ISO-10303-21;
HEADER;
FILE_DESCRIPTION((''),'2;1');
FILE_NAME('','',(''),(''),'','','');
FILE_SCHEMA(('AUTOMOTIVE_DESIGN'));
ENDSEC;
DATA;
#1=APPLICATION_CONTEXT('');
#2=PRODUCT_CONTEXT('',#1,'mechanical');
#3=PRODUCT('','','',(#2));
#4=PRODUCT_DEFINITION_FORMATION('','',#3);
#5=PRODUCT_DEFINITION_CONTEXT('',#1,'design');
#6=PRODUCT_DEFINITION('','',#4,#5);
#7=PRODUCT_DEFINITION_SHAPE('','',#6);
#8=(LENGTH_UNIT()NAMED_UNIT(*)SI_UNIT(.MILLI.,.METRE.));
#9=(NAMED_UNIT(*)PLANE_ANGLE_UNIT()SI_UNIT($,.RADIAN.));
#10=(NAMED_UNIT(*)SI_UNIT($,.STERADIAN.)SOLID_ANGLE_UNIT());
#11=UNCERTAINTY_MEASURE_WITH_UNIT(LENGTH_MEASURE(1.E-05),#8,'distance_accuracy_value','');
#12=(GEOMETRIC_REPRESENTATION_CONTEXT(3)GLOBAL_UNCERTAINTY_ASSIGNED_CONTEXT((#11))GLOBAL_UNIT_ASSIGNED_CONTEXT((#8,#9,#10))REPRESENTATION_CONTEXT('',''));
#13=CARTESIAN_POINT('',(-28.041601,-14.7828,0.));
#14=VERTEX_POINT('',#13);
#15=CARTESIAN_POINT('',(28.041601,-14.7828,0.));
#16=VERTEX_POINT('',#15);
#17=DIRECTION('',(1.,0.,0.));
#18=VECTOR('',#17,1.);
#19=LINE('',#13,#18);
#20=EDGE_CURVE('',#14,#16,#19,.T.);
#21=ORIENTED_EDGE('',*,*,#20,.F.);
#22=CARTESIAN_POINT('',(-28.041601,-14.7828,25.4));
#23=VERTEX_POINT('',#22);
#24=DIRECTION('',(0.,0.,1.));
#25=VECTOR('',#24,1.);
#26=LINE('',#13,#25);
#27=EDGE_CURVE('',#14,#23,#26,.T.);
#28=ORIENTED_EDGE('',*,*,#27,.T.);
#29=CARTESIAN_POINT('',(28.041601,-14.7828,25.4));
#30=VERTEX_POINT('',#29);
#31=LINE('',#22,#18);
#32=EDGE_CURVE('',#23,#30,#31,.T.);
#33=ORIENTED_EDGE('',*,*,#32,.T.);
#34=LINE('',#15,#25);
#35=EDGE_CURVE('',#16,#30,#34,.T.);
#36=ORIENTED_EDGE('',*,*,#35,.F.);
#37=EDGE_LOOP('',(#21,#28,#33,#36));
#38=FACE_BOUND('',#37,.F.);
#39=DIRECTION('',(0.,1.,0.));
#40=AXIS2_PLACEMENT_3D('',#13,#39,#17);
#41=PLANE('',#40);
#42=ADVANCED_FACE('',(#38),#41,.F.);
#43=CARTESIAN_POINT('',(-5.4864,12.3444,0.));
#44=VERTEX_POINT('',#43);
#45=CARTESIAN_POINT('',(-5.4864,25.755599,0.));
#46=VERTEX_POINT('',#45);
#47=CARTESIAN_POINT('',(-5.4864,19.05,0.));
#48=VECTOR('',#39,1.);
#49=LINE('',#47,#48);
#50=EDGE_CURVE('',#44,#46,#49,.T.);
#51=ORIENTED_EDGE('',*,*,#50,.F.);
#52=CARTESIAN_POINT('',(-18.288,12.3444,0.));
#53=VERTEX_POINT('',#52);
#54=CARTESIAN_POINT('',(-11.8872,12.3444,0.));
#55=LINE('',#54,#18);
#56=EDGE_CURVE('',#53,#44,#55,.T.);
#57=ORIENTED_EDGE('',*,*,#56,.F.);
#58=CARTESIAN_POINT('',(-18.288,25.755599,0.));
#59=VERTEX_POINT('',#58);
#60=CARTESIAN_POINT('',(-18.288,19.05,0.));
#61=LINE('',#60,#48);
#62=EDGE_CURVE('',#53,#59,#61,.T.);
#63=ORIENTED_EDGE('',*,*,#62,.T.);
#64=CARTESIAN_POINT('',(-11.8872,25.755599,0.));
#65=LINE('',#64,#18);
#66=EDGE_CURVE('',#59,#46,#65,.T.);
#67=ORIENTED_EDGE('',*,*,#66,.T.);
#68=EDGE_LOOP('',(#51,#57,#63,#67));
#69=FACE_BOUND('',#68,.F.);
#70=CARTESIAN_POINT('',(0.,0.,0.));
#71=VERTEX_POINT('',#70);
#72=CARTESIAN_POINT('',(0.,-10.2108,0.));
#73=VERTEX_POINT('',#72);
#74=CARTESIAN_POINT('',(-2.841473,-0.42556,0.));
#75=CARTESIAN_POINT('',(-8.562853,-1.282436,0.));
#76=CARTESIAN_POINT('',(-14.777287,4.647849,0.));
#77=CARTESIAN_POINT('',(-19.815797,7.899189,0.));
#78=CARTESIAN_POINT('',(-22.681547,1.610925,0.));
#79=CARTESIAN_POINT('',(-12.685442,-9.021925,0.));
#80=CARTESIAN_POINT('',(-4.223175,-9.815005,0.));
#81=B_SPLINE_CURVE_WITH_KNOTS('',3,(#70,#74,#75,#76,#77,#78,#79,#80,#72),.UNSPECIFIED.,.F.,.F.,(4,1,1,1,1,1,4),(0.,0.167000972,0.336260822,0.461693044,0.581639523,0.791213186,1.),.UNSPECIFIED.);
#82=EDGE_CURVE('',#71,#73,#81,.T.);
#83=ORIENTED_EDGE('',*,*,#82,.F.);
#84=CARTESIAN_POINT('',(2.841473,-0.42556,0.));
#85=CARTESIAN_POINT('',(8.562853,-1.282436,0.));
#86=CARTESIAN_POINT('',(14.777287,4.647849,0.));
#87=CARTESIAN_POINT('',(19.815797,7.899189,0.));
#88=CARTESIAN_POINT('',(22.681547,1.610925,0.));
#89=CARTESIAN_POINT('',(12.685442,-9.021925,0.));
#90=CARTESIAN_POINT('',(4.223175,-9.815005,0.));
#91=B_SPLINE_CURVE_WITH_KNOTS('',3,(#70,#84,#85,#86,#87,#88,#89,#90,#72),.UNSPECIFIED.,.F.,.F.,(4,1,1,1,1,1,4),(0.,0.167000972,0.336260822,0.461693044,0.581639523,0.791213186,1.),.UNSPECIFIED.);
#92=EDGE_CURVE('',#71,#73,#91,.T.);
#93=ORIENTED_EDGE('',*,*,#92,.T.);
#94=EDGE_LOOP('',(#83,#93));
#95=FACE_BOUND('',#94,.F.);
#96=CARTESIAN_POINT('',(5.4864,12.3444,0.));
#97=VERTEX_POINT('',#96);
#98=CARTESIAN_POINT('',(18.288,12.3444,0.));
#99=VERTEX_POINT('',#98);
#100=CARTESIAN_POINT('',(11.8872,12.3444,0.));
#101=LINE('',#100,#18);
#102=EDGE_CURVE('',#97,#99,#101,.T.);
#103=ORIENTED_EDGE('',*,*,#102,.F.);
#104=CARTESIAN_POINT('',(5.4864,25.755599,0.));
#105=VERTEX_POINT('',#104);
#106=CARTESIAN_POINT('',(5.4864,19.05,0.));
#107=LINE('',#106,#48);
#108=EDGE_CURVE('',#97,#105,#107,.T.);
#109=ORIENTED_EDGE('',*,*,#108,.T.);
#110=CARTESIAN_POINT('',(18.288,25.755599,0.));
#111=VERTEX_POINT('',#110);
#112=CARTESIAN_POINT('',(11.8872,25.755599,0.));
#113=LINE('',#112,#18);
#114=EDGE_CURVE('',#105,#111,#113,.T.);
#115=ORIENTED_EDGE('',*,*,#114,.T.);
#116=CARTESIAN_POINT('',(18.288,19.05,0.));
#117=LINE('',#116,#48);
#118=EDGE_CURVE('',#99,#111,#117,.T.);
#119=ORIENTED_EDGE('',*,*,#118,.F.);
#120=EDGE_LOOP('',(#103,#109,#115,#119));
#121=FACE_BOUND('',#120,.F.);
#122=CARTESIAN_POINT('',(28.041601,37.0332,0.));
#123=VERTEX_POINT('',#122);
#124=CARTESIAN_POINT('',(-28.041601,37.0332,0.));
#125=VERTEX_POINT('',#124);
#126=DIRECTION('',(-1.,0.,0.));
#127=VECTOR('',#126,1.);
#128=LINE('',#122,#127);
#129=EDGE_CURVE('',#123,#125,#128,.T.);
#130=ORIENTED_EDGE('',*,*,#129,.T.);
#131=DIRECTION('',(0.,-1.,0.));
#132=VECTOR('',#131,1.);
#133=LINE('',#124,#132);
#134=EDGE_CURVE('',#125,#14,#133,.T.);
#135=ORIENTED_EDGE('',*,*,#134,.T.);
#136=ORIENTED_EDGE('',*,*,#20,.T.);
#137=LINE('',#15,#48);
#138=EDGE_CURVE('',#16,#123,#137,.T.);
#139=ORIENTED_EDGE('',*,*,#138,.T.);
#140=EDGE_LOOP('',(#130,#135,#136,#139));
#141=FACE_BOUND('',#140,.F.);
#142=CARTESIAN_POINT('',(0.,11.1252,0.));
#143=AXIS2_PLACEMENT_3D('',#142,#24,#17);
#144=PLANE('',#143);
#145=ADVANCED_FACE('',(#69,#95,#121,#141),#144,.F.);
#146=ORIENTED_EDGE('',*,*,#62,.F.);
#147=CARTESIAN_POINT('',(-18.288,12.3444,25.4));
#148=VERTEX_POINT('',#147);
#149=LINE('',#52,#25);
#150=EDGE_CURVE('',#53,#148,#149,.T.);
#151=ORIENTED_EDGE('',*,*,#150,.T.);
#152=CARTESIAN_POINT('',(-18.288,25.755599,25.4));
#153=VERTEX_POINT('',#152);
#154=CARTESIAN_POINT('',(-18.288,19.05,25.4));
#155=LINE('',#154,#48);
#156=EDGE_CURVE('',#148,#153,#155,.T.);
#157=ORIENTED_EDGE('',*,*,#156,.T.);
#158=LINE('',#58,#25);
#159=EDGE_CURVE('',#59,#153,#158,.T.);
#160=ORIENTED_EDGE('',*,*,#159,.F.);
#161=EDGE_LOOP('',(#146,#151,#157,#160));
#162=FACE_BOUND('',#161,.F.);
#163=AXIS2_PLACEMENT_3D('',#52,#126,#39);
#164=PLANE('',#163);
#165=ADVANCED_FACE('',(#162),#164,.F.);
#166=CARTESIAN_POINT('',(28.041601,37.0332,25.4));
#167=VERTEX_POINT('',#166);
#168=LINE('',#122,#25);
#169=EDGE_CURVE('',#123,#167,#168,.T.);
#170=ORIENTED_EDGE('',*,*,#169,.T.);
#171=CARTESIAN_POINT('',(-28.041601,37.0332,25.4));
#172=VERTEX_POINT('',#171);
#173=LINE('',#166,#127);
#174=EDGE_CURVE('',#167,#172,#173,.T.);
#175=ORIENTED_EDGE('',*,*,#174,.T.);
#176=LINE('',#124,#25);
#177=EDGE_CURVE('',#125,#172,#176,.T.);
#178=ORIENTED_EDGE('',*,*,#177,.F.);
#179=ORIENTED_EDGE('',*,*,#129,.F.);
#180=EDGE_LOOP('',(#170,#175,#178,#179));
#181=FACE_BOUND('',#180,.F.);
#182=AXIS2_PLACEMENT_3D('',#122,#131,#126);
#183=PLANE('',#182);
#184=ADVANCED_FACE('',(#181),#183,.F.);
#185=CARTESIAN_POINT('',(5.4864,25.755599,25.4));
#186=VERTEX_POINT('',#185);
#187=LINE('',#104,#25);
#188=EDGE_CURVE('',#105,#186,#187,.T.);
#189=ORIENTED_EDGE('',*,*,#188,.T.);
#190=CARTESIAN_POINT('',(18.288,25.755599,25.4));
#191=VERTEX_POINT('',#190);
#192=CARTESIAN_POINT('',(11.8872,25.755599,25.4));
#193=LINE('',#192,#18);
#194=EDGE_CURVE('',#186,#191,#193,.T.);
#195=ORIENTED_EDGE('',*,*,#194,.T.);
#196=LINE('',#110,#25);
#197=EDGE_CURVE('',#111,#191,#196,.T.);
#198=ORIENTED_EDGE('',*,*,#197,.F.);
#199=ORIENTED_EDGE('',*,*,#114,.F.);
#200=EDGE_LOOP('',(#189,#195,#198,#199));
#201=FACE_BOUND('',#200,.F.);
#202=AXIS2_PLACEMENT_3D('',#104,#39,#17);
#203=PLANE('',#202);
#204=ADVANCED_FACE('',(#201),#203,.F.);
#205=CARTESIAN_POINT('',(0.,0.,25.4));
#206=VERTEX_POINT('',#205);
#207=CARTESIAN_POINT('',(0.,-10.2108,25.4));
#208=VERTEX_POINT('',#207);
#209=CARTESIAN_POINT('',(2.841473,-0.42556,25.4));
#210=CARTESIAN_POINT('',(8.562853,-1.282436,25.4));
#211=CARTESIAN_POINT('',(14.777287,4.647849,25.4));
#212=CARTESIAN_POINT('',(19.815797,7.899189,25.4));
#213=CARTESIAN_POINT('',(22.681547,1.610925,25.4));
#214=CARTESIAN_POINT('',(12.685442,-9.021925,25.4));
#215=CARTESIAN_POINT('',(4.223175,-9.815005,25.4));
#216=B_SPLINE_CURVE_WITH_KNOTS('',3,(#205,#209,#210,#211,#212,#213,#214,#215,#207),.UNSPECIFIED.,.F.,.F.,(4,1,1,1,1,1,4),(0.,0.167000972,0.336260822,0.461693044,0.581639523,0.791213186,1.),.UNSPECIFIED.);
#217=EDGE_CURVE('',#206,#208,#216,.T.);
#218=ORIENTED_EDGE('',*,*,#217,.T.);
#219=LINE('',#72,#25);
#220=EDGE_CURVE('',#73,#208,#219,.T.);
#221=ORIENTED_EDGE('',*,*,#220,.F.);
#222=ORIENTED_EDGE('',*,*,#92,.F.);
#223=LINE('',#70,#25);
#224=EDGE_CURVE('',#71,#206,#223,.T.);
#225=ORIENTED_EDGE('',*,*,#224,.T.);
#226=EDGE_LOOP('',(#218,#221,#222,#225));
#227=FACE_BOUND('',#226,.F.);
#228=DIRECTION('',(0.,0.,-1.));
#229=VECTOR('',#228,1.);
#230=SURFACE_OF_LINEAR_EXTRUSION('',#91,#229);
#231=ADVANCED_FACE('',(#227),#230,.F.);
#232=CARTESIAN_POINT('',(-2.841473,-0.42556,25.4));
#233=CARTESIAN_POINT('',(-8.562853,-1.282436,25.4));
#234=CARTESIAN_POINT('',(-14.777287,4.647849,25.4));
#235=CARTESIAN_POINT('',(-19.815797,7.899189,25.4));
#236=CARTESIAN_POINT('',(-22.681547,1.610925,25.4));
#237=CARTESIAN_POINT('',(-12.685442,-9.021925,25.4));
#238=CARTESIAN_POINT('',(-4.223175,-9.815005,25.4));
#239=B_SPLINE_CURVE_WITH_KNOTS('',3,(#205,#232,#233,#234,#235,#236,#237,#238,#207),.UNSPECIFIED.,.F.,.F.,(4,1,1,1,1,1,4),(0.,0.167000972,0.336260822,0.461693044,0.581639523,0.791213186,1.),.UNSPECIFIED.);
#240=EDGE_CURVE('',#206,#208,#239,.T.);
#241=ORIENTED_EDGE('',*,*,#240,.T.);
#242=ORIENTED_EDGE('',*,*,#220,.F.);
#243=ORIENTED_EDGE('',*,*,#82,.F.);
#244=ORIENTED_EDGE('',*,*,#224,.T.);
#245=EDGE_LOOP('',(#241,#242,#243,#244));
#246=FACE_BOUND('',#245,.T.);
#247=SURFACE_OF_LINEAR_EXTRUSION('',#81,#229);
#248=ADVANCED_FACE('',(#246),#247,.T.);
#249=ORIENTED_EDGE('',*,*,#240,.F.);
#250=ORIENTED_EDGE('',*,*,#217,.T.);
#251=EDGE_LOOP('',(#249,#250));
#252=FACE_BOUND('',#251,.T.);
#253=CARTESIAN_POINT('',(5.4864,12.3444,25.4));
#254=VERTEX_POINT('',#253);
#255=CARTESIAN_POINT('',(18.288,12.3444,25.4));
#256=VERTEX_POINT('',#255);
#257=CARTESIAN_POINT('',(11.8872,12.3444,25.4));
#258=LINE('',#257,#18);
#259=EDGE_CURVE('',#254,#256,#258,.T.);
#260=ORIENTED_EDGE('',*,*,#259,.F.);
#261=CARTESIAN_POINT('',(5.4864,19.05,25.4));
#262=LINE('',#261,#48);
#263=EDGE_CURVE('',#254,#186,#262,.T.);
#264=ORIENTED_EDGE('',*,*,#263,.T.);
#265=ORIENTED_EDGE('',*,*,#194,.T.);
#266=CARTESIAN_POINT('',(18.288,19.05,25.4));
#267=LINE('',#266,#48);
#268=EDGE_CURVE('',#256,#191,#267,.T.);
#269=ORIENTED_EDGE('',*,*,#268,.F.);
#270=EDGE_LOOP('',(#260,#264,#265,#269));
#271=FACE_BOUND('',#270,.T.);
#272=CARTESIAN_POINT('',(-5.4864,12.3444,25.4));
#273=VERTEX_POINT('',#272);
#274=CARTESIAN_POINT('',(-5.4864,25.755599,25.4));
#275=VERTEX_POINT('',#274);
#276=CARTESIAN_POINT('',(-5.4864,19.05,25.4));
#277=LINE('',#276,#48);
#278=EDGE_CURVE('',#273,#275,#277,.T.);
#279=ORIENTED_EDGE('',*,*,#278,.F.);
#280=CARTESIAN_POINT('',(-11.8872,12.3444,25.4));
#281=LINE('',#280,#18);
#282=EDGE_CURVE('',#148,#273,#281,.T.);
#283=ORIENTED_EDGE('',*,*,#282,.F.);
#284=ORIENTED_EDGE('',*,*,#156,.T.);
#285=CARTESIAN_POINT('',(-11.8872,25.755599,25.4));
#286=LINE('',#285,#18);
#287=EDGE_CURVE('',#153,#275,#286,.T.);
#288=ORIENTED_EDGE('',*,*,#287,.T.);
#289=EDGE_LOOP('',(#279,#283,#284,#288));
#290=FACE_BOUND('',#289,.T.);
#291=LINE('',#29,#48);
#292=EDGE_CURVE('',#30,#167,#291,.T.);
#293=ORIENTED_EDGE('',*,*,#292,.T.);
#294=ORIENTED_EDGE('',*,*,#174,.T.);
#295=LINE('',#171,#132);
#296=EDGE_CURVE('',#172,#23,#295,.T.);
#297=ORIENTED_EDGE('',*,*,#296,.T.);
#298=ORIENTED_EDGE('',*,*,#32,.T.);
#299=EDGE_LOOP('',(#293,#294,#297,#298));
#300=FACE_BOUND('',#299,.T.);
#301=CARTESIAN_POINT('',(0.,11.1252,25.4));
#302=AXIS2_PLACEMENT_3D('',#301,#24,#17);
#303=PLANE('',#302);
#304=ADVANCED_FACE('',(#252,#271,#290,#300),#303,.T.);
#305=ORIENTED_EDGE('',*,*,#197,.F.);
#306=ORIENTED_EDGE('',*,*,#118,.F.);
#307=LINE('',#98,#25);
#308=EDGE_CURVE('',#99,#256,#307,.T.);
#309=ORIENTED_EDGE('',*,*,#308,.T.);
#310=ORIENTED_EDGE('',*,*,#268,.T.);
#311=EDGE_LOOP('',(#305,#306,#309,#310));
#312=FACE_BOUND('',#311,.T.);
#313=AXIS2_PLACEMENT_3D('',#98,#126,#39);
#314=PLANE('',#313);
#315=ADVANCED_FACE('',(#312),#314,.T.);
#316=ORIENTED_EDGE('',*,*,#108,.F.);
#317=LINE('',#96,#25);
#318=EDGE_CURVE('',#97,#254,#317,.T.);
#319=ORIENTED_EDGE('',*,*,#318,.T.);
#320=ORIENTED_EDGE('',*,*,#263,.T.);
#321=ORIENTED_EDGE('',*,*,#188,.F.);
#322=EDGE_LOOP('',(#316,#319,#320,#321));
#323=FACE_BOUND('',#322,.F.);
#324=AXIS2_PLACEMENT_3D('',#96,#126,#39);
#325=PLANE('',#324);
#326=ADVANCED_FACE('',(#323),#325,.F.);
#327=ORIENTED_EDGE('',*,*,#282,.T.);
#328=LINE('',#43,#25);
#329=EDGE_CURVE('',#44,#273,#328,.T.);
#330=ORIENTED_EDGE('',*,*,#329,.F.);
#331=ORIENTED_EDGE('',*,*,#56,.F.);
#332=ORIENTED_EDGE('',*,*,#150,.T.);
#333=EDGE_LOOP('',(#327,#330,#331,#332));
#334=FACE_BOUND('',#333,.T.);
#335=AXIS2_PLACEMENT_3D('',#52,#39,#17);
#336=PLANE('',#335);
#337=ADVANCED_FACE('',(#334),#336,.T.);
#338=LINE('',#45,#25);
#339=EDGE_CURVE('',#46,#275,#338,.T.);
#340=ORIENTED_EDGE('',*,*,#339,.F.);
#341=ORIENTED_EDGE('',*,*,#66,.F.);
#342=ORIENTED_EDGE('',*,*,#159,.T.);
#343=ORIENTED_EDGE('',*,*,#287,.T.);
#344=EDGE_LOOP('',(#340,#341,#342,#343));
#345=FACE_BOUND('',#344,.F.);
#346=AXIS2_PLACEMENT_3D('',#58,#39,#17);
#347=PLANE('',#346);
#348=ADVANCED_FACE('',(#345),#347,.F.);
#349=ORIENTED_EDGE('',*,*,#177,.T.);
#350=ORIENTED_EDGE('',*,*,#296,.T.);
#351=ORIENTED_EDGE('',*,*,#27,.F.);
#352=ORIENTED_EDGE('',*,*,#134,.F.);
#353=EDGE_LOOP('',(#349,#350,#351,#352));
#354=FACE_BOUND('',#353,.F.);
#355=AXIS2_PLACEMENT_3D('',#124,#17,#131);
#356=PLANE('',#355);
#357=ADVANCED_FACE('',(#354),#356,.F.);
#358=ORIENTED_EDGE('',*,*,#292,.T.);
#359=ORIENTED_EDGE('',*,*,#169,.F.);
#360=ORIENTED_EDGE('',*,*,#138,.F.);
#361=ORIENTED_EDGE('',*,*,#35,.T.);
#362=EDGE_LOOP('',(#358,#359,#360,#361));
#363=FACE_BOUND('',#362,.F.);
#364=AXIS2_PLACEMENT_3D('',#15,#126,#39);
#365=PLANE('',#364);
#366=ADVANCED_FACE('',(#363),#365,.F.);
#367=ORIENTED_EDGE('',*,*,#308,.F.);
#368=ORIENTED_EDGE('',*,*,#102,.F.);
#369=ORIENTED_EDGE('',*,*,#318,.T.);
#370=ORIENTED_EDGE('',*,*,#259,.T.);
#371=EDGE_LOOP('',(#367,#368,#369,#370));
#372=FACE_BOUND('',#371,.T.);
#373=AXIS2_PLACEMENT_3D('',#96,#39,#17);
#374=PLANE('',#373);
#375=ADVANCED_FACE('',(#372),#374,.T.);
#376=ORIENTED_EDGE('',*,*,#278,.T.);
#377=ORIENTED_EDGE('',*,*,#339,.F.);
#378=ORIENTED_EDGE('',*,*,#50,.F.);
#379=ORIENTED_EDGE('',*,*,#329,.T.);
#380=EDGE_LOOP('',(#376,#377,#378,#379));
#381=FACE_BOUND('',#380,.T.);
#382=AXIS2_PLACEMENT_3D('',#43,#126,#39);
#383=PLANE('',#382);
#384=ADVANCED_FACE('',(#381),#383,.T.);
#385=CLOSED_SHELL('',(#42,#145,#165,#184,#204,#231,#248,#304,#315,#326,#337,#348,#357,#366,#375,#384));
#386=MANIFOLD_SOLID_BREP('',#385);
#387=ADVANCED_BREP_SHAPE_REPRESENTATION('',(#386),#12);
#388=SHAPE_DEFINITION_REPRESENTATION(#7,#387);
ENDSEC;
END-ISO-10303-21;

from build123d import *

# Parameters (mm, degrees)
F0_W     = 12.8015996888
F0_H     = 13.4111987427
F1_DEPTH = 25.4


with BuildPart() as f1:
    # F0 (on Top) → F1 (new body)
    with BuildSketch(Plane.XY):
        Polygon((28.041601181, 37.033200264), (0, 37.033200264), (-28.041601181, 37.033200264), (-28.041601181, -14.7828003392), (-5.181599874, -14.7828003392), (0, -14.7828003392), (5.181599874, -14.7828003392), (28.041601181, -14.7828003392), align=None)
        with BuildLine():
            add(Edge.make_bspline(
                [(0, 0), (-2.8414730659, -0.4255600832), (-8.5628533375, -1.2824364314), (-14.7772865817, 4.6478489144), (-19.8157965374, 7.8991892713), (-22.6815474134, 1.6109254073), (-12.6854419624, -9.021924638), (-4.223175406, -9.8150054085), (0, -10.2107999846)],
                knots=[0, 0, 0, 0, 0.1670009722, 0.3362608216, 0.4616930439, 0.5816395231, 0.7912131856, 1, 1, 1, 1], degree=3))
            add(Edge.make_bspline(
                [(0, 0), (2.8414730659, -0.4255600832), (8.5628533375, -1.2824364314), (14.7772865817, 4.6478489144), (19.8157965374, 7.8991892713), (22.6815474134, 1.6109254073), (12.6854419624, -9.021924638), (4.223175406, -9.8150054085), (0, -10.2107999846)],
                knots=[0, 0, 0, 0, 0.1670009722, 0.3362608216, 0.4616930439, 0.5816395231, 0.7912131856, 1, 1, 1, 1], degree=3))
        make_face(mode=Mode.SUBTRACT)
        with Locations((-11.8871997111, 19.0499997698)):
            Rectangle(F0_W, F0_H, mode=Mode.SUBTRACT)
        with Locations((11.8871997111, 19.0499997698)):
            Rectangle(F0_W, F0_H, mode=Mode.SUBTRACT)
    extrude(amount=F1_DEPTH)


solid = f1.part
